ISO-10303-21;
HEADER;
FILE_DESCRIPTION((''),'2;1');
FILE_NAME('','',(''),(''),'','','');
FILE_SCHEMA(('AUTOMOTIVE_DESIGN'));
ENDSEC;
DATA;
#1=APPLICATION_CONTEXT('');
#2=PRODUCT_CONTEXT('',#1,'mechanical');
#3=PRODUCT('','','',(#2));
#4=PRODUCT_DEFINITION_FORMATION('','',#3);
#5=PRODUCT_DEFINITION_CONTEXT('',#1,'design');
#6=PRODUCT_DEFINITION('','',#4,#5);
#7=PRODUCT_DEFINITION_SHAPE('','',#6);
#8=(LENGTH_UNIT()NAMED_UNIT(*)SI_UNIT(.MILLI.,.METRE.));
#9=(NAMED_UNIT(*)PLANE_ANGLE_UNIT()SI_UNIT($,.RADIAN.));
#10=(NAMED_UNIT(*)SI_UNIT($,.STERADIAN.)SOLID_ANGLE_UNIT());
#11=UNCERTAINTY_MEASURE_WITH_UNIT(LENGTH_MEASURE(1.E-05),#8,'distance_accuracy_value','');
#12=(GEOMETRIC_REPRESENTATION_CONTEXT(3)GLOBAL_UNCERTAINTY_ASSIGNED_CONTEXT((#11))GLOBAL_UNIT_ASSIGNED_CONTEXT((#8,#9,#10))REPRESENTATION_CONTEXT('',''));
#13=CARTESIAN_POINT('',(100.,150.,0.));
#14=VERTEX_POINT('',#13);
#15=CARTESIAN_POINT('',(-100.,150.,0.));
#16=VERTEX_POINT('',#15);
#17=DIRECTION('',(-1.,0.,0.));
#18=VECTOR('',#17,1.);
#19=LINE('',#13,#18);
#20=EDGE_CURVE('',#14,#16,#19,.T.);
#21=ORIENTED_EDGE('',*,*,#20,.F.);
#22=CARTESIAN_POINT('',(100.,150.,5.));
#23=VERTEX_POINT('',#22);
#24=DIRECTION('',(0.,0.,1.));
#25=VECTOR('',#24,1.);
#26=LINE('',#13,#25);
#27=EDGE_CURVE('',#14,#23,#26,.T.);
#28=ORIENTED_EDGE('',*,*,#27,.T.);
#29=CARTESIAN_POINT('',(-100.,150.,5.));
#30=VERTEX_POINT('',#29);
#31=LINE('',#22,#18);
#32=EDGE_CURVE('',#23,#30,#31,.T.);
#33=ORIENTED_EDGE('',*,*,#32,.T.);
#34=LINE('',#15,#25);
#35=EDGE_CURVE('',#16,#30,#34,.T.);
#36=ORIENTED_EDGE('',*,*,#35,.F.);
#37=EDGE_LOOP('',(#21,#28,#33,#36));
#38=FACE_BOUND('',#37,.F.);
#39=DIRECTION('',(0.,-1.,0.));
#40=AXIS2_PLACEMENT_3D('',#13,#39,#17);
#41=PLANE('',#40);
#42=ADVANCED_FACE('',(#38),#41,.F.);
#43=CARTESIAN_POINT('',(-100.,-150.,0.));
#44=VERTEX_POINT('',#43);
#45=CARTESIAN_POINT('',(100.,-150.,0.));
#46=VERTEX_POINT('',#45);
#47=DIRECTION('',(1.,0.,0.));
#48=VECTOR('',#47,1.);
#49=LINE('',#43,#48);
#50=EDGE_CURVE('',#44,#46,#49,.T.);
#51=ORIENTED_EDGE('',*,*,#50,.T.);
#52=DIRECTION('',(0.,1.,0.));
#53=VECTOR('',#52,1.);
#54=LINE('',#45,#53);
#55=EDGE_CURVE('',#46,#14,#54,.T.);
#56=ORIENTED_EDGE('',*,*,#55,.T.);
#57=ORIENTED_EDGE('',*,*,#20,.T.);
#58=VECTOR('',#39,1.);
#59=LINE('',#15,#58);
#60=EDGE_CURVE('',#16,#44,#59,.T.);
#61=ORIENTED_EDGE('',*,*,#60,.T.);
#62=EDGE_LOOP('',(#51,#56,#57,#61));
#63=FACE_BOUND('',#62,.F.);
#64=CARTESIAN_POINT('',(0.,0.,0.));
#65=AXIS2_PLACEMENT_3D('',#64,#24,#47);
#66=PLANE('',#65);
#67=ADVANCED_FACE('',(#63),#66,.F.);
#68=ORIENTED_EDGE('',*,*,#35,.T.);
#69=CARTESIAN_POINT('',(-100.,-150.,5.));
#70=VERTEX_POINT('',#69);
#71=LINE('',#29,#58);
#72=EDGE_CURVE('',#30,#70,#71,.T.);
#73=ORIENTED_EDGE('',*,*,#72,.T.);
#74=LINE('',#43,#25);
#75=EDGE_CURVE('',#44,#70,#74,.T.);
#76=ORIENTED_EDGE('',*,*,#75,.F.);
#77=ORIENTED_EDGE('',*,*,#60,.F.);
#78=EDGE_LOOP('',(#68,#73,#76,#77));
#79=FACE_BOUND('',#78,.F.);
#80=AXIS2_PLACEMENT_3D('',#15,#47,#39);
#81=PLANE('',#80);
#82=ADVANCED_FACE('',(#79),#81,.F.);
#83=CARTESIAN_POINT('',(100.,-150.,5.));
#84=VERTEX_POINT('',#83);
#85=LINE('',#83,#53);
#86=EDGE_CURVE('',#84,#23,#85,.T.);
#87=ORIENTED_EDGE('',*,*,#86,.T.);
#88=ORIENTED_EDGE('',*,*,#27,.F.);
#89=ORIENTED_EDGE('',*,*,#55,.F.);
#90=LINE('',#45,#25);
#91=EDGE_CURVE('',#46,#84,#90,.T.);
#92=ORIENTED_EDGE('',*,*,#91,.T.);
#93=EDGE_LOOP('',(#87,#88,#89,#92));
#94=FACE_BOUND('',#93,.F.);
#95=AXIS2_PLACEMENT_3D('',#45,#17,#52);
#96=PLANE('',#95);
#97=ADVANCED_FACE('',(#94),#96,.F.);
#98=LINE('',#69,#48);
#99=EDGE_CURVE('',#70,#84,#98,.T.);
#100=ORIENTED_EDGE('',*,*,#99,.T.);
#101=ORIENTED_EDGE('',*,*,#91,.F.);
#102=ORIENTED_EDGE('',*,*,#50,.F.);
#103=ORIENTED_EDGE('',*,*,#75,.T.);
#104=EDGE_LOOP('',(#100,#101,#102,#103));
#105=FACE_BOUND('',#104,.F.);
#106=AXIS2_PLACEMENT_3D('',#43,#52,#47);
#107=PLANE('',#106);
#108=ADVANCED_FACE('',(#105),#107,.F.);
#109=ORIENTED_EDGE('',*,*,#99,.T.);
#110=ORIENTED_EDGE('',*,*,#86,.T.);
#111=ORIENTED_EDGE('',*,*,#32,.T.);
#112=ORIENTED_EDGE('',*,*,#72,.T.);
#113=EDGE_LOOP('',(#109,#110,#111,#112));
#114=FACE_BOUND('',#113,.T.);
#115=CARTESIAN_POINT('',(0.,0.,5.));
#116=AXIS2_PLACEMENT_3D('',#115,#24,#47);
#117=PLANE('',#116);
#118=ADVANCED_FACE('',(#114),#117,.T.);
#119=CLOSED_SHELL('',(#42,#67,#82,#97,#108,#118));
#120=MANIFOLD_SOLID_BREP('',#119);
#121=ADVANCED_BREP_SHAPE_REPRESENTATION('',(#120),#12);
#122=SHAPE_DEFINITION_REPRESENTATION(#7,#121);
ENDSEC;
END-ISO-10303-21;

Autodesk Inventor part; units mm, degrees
ref_plane "YZ Plane" through (0, 0, 0) normal (1, 0, 0) x (0, 1, 0)
ref_plane "XZ Plane" through (0, 0, 0) normal (0, 1, 0) x (-1, 0, 0)
ref_plane "XY Plane" through (0, 0, 0) normal (0, 0, 1) x (1, 0, 0)
sketch "スケッチ1" plane through (0, 0, 0) normal (0, 0, 1) x (1, 0, 0)
  line L0 (100, -150) -> (100, 150)
  line L1 (100, 150) -> (-100, 150)
  line L2 (-100, 150) -> (-100, -150)
  line L3 (-100, -150) -> (100, -150)
  line L4 (100, -150) -> (-100, 150) construction
  line L5 (100, 150) -> (-100, -150) construction
  point P0 (0, 0)
  dimension "d0" = 300
  dimension "d1" = 200
extrude "押し出し1" add sketch "スケッチ1" along normal blind 5
properties part number "Bottom_board" material "エポキシ樹脂"
